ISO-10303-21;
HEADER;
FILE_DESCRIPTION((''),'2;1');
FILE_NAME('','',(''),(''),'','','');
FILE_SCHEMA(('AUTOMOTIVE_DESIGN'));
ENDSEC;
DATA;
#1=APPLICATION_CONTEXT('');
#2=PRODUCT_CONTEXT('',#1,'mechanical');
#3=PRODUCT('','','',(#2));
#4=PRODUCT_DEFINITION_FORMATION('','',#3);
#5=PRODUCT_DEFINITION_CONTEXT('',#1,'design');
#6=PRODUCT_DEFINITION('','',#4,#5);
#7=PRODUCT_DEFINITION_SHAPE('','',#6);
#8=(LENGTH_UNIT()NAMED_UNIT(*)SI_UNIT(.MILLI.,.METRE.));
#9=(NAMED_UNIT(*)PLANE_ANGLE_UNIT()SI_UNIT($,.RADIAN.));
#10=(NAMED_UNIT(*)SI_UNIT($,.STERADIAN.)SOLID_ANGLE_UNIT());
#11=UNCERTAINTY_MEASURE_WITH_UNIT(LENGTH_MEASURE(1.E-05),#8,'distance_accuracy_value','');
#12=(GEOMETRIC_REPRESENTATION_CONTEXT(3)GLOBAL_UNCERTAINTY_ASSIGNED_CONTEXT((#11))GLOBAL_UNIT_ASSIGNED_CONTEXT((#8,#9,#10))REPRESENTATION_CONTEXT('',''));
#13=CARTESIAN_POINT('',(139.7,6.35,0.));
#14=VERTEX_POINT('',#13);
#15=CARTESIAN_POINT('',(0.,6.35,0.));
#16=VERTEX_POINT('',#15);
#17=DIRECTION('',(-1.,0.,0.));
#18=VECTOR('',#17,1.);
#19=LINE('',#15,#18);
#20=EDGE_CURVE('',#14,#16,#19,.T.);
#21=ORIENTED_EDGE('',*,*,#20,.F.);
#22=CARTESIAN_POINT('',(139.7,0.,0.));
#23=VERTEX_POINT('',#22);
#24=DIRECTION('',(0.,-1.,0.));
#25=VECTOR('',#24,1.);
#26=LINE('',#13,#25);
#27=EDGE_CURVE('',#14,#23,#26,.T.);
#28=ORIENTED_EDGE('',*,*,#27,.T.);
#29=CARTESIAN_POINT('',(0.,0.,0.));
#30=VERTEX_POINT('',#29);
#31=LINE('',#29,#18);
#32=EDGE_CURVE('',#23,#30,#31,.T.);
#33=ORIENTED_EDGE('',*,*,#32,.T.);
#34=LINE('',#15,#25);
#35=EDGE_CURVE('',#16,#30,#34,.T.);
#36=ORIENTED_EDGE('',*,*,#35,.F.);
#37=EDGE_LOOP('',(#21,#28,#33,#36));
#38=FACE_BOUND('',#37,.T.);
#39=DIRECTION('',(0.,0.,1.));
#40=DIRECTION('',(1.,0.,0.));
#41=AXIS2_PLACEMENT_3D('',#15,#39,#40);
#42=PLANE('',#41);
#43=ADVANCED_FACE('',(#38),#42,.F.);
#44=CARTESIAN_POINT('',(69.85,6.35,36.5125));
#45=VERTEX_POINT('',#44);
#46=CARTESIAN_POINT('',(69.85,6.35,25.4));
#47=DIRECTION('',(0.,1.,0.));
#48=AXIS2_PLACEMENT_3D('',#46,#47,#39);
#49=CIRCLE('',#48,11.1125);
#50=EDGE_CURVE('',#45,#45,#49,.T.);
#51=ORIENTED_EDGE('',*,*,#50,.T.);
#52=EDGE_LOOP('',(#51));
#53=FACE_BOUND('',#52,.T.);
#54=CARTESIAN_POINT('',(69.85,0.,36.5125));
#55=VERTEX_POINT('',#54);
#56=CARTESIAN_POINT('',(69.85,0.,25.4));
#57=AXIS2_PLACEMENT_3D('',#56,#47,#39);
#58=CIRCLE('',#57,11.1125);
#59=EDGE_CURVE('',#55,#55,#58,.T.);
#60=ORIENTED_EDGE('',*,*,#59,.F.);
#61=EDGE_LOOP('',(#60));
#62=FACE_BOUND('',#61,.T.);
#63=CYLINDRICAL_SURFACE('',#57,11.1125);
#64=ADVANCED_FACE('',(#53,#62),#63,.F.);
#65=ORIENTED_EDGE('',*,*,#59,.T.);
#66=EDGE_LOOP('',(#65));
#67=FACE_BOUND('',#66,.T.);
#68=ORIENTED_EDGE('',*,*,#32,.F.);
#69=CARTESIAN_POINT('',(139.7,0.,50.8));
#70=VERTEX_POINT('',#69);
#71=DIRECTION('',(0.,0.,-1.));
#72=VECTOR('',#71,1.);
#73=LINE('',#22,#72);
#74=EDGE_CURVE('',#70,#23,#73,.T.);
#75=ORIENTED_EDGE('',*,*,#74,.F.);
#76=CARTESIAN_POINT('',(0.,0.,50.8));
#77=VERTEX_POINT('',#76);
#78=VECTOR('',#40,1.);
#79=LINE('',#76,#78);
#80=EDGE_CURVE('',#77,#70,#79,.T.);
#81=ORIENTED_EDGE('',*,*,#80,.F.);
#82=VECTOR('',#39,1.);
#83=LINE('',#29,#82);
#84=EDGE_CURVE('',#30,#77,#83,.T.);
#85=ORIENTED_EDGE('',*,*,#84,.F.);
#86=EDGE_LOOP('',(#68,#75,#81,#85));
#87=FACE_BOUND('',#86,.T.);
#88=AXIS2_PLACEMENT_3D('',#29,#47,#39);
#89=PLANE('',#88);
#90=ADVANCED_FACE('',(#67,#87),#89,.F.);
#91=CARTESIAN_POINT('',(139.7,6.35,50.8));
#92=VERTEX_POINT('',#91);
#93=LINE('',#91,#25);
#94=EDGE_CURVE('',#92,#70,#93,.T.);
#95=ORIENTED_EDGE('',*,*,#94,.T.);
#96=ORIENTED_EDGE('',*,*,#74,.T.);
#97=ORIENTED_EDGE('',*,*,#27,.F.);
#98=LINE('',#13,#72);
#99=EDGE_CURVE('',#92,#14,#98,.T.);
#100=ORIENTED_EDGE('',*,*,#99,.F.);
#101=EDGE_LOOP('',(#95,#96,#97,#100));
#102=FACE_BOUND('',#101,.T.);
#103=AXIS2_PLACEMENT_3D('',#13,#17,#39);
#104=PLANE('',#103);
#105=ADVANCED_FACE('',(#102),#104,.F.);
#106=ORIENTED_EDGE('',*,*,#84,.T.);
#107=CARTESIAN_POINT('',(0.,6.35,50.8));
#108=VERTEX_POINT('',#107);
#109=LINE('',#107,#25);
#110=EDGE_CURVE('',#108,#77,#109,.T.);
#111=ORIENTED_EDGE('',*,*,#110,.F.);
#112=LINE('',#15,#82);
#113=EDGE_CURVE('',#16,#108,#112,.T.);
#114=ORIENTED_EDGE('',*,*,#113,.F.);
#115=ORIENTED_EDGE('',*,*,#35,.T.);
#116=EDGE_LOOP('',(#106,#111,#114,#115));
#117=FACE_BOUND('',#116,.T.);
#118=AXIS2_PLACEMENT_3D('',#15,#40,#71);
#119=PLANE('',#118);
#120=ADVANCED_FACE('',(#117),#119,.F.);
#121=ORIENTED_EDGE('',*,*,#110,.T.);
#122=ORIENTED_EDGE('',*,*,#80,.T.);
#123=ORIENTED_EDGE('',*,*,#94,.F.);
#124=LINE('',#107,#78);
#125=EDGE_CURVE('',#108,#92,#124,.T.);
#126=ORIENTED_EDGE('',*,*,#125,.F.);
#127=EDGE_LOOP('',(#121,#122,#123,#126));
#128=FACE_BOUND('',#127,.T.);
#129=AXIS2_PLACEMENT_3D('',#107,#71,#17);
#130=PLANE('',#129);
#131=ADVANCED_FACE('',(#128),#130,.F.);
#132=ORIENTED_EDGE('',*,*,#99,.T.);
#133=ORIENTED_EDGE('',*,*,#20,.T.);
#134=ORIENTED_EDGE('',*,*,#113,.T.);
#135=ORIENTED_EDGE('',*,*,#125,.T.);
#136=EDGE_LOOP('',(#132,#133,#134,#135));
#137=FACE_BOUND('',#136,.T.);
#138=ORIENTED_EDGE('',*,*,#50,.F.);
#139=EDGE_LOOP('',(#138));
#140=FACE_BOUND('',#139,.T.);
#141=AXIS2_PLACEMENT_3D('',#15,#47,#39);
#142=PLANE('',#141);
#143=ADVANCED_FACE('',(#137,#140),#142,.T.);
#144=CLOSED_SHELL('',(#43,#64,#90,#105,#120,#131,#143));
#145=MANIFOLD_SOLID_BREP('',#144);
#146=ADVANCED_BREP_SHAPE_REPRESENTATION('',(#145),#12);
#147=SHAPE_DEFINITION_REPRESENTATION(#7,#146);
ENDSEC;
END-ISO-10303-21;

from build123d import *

# Parameters (mm, degrees)
SKETCH1_W           = 139.7
SKETCH1_H           = 50.8
BOSS_EXTRUDE1_DEPTH = 6.35
SKETCH2_R           = 11.1125
CUT_EXTRUDE1_DEPTH  = 7.35


with BuildPart() as part:
    # Sketch1 → Boss-Extrude1 (new body)
    with BuildSketch(Plane(origin=(0, 0, 0), x_dir=(1, 0, 0), z_dir=(0, 1, 0))):
        with Locations((69.85, -25.4)):
            Rectangle(SKETCH1_W, SKETCH1_H)
    extrude(amount=BOSS_EXTRUDE1_DEPTH)

    # Sketch2 → Cut-Extrude1 (cut, through all)
    with BuildSketch(Plane(origin=(0, 6.35, 0), x_dir=(1, 0, 0), z_dir=(0, 1, 0))):
        with Locations((69.85, -25.4)):
            Circle(SKETCH2_R)
    extrude(amount=-CUT_EXTRUDE1_DEPTH, mode=Mode.SUBTRACT)


solid = part.part
